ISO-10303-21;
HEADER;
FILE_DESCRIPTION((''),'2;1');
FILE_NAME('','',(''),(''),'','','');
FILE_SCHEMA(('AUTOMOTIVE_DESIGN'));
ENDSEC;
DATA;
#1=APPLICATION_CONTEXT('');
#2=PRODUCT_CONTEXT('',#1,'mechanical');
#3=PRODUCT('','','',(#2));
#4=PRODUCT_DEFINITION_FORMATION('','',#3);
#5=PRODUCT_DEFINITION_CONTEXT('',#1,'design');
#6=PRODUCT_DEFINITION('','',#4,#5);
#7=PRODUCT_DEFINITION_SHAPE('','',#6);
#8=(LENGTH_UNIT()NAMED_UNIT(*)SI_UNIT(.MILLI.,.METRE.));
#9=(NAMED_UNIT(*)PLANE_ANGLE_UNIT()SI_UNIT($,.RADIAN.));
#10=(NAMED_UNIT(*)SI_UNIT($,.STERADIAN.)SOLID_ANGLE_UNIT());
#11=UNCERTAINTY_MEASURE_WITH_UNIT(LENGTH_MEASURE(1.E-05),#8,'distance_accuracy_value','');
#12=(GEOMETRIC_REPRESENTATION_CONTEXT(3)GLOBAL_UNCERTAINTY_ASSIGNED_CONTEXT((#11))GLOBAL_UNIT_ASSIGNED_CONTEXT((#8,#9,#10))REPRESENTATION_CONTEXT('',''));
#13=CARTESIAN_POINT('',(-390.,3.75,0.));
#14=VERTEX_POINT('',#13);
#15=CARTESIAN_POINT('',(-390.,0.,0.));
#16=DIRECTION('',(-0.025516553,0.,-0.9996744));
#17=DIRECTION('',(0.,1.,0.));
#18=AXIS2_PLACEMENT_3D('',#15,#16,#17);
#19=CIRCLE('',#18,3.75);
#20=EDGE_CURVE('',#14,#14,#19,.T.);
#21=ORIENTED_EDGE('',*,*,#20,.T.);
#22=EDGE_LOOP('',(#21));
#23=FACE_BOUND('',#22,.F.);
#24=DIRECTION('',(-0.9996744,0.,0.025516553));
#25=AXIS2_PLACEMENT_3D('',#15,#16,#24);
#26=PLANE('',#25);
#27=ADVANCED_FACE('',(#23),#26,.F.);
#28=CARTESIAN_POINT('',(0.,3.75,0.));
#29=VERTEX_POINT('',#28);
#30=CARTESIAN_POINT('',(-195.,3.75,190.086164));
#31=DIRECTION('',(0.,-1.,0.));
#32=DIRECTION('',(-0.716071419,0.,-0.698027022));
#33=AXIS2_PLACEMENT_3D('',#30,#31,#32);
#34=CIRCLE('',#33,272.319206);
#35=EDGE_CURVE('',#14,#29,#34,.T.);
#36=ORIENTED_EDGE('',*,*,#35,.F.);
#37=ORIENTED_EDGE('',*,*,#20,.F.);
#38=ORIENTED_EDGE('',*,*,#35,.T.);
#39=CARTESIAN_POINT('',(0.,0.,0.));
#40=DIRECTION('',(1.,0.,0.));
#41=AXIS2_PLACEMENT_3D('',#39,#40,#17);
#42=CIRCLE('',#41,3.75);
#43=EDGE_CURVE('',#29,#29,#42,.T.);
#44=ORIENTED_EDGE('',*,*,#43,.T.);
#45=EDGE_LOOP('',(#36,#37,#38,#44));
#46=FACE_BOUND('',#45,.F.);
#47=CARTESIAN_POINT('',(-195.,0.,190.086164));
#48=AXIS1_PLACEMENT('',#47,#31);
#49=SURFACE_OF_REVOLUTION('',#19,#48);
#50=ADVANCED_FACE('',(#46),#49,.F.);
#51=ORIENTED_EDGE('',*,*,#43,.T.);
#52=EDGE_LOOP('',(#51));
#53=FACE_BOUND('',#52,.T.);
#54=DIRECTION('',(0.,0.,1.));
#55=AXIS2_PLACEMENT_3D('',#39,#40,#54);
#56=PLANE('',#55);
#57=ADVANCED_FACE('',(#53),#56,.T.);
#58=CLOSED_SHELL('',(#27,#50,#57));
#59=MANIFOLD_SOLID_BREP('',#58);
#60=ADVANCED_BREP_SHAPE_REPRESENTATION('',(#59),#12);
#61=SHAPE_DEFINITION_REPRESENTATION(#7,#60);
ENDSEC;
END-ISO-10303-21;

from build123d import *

# Parameters (mm, degrees)
F1_R = 3.75


with BuildPart() as f2:
    # F2: sweep along a path in F0
    with BuildLine(Plane.XZ) as f2_path:
        ThreePointArc((-390, 0), (-195, -82.2330415249), (0, 0))
    # F1 (on Right) → F2 (sweep)
    with BuildSketch(Plane.YZ):
        Circle(F1_R)
    sweep(path=f2_path.line)


solid = f2.part
